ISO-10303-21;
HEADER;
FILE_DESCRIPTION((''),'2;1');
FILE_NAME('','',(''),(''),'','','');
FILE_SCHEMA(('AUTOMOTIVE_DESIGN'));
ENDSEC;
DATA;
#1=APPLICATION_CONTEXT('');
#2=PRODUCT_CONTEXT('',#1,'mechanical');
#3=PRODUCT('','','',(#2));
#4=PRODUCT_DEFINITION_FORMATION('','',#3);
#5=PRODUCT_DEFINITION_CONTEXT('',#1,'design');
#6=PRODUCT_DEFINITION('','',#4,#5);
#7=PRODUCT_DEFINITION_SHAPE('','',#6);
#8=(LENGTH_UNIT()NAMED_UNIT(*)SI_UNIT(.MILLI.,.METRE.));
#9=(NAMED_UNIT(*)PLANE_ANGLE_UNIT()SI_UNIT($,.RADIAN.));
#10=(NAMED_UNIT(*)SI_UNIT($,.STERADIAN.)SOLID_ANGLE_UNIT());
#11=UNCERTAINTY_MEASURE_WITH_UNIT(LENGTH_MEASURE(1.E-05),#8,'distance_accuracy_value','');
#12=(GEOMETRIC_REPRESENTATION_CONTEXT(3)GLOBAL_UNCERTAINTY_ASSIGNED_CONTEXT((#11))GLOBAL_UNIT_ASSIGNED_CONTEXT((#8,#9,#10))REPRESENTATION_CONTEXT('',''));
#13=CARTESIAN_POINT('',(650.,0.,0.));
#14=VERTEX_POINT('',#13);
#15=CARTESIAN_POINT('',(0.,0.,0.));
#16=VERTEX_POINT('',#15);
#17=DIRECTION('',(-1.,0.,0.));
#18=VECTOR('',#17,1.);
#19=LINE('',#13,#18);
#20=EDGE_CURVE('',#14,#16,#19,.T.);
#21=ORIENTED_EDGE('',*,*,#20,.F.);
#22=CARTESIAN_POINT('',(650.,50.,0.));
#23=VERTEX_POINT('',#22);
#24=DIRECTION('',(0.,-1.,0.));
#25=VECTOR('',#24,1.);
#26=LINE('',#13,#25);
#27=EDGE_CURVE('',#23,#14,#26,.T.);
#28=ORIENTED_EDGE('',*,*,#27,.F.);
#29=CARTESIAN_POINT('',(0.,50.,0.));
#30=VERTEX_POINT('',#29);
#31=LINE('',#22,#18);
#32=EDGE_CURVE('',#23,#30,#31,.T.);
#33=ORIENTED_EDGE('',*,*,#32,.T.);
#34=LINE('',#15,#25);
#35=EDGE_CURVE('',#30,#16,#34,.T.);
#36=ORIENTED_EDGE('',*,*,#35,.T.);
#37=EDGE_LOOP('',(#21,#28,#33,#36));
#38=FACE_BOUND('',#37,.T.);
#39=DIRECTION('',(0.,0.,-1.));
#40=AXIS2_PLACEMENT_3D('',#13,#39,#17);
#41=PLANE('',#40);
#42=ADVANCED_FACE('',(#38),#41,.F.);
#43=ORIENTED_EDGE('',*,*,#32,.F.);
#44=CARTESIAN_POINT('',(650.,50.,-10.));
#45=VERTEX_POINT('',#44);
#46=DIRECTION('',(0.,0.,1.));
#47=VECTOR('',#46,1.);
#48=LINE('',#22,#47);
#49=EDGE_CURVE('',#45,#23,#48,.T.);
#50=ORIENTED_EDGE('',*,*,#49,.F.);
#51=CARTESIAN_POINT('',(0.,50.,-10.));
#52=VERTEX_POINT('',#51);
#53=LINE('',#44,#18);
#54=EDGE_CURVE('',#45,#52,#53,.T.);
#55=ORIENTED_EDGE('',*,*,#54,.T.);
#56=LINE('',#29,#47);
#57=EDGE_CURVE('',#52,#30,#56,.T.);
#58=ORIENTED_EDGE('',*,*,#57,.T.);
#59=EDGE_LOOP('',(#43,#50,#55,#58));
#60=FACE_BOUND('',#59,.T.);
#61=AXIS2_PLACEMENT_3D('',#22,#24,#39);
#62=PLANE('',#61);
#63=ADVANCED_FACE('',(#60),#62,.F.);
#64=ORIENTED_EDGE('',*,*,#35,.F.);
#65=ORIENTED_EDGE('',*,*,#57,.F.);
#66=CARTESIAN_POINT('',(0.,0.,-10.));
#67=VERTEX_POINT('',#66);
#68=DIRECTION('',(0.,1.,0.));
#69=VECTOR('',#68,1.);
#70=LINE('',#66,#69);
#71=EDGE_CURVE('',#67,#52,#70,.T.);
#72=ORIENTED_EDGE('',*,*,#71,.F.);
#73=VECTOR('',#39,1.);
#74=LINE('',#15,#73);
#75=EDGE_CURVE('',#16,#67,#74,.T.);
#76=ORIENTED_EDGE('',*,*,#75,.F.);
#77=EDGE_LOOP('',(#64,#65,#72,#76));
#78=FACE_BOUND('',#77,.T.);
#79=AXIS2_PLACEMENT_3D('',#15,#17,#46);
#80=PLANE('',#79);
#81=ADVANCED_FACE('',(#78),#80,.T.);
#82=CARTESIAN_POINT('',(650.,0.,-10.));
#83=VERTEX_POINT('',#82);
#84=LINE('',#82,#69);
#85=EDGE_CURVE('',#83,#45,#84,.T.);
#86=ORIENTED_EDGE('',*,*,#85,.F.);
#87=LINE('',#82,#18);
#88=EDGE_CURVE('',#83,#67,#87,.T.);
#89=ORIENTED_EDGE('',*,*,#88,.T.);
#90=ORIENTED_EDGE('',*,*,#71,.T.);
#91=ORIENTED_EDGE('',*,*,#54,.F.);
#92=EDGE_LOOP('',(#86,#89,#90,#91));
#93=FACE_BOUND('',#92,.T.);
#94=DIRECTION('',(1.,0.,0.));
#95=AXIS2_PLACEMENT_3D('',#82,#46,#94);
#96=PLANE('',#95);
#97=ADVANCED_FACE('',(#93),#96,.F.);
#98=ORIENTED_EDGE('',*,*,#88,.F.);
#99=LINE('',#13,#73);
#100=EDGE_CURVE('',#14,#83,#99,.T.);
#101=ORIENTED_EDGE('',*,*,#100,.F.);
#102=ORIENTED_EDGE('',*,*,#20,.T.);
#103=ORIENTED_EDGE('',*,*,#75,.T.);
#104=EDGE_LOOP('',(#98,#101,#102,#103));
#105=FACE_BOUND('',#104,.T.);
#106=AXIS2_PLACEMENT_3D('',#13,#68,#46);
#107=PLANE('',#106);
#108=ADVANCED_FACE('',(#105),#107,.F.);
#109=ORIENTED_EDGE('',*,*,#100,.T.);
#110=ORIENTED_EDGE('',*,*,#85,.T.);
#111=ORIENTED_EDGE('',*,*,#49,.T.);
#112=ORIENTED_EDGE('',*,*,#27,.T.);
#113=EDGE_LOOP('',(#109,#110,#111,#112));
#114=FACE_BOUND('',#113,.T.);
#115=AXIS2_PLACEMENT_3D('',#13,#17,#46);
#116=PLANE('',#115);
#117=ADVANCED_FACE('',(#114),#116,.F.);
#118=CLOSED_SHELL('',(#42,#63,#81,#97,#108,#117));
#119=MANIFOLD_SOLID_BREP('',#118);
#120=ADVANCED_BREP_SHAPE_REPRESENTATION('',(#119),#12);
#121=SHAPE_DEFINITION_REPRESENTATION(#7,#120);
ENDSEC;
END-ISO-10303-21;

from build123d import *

# Parameters (mm, degrees)
SKETCH_1_W      = 10
SKETCH_1_H      = 50
EXTRUDE_1_DEPTH = 650


with BuildPart() as part:
    # Эскиз1 → Бобышка-Вытянуть1 (new body)
    with BuildSketch(Plane(origin=(0, 0, 0), x_dir=(0, 0, -1), z_dir=(1, 0, 0))):
        with Locations((5, 25)):
            Rectangle(SKETCH_1_W, SKETCH_1_H)
    extrude(amount=EXTRUDE_1_DEPTH)


solid = part.part
